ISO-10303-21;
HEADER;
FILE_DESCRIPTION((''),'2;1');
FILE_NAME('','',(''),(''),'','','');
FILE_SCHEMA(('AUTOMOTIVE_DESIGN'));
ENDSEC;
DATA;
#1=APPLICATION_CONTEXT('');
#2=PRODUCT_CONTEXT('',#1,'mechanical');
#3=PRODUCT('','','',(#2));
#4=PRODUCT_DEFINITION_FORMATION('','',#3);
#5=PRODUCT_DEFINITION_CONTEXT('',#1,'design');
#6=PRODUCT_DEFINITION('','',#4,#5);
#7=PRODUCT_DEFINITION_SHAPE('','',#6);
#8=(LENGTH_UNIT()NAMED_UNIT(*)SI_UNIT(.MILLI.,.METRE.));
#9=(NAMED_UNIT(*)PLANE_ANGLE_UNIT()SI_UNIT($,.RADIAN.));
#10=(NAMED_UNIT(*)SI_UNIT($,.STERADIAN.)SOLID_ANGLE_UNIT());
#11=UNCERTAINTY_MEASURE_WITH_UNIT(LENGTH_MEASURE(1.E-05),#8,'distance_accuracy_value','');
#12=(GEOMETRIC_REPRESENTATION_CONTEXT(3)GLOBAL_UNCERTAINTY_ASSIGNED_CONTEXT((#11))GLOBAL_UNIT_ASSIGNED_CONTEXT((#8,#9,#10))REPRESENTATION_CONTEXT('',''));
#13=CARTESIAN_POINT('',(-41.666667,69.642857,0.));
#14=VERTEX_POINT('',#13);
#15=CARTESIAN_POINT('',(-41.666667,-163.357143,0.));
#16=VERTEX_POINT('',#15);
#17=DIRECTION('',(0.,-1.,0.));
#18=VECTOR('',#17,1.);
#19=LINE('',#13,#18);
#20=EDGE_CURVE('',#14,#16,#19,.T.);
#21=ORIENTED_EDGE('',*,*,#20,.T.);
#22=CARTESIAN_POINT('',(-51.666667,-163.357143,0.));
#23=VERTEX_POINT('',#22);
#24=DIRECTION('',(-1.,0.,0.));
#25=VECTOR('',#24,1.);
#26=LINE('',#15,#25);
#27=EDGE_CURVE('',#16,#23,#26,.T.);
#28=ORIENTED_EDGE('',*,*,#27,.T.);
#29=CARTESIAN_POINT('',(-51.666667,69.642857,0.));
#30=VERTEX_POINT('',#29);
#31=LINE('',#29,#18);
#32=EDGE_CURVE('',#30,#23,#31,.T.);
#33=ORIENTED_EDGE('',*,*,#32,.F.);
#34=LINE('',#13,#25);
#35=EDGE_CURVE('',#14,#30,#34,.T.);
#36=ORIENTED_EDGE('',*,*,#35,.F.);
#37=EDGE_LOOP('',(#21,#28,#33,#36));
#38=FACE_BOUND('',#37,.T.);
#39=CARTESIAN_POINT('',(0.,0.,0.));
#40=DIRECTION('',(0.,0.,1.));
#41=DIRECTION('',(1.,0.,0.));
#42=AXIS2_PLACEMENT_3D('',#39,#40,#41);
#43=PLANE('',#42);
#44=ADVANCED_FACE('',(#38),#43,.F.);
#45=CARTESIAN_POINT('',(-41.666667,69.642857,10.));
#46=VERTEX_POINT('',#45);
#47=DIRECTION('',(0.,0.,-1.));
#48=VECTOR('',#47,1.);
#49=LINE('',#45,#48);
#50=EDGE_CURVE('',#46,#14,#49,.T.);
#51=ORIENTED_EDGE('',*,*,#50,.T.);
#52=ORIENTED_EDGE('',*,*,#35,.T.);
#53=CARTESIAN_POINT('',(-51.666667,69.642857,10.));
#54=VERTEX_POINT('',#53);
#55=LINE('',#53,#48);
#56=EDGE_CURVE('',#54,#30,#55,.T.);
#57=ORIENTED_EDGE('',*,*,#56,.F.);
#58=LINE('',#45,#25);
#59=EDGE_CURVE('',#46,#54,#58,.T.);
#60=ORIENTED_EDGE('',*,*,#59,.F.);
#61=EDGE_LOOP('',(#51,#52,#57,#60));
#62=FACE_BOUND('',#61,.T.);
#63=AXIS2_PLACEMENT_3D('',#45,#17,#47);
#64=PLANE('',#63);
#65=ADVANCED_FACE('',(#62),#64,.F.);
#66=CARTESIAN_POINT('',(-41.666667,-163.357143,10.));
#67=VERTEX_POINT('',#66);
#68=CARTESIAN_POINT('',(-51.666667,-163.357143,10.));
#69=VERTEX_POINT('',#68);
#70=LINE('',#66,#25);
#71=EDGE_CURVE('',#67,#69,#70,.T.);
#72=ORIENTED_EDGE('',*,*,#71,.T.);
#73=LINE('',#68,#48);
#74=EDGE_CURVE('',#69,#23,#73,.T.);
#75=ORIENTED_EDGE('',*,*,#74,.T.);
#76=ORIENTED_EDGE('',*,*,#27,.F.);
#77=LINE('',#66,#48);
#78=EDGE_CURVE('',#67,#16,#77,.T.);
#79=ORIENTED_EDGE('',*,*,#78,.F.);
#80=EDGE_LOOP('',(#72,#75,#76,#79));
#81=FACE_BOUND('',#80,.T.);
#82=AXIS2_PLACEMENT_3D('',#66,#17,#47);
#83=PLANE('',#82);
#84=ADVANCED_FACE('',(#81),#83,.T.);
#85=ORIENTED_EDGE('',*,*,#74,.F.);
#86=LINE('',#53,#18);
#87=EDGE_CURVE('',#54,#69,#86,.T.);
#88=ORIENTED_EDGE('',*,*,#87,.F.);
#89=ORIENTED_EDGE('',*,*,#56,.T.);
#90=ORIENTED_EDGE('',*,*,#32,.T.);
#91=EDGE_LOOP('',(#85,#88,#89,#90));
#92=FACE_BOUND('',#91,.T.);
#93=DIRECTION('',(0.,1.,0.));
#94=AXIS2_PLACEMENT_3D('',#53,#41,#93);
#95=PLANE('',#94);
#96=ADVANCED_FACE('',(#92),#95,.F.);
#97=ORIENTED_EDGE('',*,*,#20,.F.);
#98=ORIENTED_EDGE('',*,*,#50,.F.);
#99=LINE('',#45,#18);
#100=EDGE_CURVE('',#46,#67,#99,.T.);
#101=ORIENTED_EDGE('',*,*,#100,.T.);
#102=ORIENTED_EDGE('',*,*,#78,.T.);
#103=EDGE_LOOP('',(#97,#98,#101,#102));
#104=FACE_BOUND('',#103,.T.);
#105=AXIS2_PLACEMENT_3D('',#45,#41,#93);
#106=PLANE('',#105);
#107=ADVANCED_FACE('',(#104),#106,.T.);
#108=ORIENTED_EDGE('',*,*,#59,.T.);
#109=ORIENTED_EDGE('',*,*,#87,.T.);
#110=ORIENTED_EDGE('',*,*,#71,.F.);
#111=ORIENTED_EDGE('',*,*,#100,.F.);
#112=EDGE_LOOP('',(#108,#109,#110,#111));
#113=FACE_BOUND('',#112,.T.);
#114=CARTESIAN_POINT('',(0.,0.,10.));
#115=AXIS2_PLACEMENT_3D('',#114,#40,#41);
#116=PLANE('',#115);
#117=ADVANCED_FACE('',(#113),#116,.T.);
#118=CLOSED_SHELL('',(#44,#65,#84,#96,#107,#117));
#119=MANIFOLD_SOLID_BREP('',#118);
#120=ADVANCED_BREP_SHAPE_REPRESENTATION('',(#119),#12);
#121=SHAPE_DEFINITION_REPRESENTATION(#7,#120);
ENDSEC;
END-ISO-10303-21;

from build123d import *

# Parameters (mm, degrees)
ESQUISSE1_W        = 10
ESQUISSE1_H        = 233
BOSS_EXTRU_1_DEPTH = 10


with BuildPart() as part:
    # Esquisse1 → Boss.-Extru.1 (new body)
    with BuildSketch(Plane.XY):
        with Locations((-46.666666667, -46.857142857)):
            Rectangle(ESQUISSE1_W, ESQUISSE1_H)
    extrude(amount=BOSS_EXTRU_1_DEPTH)


solid = part.part
